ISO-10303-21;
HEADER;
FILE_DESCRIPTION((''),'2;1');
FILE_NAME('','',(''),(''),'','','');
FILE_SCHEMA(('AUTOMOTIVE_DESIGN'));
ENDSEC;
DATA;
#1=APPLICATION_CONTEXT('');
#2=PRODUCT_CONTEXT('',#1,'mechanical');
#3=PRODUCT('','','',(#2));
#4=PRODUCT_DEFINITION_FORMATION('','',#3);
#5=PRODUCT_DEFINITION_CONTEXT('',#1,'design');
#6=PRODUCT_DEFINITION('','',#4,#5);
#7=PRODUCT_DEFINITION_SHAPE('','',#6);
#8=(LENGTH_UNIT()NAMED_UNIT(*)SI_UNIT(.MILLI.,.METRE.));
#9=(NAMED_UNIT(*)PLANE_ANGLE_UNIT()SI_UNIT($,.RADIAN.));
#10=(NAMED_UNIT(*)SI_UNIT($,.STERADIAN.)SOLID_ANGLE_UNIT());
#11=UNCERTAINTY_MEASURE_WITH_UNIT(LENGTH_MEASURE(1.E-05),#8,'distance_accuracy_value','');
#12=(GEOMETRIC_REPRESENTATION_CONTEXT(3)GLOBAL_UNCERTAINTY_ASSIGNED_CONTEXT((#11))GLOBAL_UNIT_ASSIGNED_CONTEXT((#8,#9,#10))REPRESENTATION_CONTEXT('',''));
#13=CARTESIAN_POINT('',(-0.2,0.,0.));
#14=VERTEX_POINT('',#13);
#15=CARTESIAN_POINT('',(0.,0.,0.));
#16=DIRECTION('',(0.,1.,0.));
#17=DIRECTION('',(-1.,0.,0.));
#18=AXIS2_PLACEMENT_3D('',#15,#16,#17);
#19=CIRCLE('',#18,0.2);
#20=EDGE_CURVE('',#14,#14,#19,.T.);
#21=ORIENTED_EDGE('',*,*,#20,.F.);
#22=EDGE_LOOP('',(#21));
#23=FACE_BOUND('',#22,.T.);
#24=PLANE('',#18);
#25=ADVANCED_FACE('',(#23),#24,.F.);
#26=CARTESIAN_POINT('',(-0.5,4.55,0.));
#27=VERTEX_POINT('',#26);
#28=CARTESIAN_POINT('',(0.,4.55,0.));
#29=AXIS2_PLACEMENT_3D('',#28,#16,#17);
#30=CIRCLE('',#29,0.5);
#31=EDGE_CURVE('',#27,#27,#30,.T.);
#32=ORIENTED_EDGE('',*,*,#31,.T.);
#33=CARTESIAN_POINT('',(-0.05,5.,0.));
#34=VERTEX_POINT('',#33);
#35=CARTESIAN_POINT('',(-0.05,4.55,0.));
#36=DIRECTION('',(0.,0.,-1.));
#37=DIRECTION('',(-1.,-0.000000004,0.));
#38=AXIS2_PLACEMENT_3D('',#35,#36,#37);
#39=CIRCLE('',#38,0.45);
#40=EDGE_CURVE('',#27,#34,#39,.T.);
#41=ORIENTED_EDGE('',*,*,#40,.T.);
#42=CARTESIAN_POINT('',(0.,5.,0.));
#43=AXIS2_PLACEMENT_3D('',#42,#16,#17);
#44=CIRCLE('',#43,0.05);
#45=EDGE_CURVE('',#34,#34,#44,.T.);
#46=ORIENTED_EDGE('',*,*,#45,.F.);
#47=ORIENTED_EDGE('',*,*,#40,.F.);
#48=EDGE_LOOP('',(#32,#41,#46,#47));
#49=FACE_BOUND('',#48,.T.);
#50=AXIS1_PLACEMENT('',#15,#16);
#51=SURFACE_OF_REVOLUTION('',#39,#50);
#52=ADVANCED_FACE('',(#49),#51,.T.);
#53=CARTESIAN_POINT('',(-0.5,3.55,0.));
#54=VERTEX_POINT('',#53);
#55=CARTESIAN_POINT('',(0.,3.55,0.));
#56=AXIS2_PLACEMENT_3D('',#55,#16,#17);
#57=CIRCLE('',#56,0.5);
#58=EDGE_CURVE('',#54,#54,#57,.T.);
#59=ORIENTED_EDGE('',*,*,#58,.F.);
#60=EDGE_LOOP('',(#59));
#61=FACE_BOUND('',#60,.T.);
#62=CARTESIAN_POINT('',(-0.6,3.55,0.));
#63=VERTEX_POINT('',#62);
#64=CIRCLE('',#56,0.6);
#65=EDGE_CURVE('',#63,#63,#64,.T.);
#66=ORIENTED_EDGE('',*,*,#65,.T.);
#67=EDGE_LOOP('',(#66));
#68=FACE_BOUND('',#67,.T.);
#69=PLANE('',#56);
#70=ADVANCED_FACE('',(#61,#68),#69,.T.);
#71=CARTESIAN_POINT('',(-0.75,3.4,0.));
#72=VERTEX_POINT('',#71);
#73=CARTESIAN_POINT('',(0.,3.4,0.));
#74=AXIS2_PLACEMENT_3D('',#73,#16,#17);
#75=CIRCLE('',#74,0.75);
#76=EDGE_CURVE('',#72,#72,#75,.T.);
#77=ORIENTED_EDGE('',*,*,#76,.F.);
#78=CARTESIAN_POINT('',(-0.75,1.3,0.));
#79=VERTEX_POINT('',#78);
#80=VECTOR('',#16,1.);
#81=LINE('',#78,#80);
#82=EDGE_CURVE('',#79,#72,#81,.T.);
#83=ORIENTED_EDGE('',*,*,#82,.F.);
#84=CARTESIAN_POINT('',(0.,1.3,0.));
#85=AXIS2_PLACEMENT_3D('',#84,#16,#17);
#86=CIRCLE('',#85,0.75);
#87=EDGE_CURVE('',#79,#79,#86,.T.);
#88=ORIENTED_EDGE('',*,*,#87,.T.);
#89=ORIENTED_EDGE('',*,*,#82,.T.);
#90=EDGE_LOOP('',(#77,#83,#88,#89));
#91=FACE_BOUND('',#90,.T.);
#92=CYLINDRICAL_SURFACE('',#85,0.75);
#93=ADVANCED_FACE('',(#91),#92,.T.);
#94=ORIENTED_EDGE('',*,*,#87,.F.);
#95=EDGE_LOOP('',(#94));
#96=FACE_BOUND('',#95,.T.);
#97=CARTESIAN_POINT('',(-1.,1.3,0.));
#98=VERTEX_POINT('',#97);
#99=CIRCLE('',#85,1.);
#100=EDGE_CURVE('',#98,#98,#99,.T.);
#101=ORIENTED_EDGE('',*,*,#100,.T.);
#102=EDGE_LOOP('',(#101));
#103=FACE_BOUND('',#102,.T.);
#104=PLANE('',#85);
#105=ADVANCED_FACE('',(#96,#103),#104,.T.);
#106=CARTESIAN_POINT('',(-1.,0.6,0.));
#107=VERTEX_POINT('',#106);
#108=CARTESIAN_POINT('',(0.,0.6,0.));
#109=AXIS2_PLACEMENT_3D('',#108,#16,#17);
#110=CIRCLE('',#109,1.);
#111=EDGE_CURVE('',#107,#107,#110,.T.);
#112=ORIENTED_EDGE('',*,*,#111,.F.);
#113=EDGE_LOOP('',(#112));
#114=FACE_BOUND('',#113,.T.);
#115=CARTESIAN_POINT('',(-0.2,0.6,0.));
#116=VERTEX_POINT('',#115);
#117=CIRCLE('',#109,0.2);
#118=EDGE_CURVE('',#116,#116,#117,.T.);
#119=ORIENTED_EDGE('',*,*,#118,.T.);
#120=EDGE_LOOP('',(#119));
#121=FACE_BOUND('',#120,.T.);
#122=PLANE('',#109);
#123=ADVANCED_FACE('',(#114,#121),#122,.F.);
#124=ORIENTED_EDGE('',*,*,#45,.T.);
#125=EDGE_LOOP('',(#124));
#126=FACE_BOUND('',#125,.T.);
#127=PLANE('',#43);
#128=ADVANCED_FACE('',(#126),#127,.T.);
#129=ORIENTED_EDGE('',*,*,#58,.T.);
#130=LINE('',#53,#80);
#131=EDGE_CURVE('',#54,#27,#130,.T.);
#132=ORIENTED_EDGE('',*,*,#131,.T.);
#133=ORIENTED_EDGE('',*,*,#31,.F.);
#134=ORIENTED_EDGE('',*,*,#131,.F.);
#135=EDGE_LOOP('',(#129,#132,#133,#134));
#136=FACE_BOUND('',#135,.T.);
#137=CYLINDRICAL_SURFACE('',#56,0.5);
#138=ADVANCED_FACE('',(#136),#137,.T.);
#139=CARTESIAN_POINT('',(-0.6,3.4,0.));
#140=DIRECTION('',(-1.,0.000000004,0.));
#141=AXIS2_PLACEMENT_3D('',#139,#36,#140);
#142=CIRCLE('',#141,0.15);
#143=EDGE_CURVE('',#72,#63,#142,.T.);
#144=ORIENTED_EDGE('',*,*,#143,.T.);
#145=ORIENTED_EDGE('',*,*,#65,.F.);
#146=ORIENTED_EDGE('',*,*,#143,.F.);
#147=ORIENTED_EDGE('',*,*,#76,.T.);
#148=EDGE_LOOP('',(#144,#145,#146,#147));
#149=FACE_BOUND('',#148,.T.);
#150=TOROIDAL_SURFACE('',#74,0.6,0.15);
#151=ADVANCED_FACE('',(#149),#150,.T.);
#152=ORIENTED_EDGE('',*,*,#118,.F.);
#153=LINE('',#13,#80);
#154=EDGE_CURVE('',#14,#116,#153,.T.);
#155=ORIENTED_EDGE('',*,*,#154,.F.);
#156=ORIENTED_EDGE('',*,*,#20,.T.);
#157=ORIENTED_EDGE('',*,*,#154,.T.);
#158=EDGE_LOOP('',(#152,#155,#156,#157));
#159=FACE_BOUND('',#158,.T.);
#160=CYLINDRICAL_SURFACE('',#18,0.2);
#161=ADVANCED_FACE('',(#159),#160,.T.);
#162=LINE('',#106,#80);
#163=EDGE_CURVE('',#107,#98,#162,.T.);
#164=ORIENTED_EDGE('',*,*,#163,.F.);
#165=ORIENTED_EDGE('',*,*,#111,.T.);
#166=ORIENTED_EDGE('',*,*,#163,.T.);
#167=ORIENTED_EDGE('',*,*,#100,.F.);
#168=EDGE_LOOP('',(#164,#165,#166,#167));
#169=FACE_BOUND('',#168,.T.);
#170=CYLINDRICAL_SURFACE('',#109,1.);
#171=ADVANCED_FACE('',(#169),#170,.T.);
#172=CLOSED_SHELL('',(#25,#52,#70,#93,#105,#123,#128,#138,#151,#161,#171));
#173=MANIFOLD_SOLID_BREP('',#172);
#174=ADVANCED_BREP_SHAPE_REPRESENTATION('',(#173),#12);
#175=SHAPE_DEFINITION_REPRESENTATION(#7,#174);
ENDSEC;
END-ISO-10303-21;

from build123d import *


with BuildPart() as part:
    # Sketch1 → Revolve1 (revolve)
    with BuildSketch(Plane.XY):
        with BuildLine():
            Line((0, 0), (-0.2, 0))
            Line((-0.2, 0), (-0.2, 0.6))
            Line((-0.2, 0.6), (-1, 0.6))
            Line((-1, 0.6), (-1, 1.3))
            Line((-1, 1.3), (-0.75, 1.3))
            Line((-0.75, 1.3), (-0.75, 3.4))
            ThreePointArc((-0.75, 3.4), (-0.706066017, 3.506066017), (-0.6, 3.55))
            Line((-0.6, 3.55), (-0.5, 3.55))
            Line((-0.5, 3.55), (-0.5, 4.55))
            ThreePointArc((-0.5, 4.55), (-0.368198052, 4.868198052), (-0.05, 5))
            Line((-0.05, 5), (0, 5))
            Line((0, 5), (0, 0))
        make_face()
    revolve(axis=Axis((0, 0, 0), (0, 1, 0)))


solid = part.part
